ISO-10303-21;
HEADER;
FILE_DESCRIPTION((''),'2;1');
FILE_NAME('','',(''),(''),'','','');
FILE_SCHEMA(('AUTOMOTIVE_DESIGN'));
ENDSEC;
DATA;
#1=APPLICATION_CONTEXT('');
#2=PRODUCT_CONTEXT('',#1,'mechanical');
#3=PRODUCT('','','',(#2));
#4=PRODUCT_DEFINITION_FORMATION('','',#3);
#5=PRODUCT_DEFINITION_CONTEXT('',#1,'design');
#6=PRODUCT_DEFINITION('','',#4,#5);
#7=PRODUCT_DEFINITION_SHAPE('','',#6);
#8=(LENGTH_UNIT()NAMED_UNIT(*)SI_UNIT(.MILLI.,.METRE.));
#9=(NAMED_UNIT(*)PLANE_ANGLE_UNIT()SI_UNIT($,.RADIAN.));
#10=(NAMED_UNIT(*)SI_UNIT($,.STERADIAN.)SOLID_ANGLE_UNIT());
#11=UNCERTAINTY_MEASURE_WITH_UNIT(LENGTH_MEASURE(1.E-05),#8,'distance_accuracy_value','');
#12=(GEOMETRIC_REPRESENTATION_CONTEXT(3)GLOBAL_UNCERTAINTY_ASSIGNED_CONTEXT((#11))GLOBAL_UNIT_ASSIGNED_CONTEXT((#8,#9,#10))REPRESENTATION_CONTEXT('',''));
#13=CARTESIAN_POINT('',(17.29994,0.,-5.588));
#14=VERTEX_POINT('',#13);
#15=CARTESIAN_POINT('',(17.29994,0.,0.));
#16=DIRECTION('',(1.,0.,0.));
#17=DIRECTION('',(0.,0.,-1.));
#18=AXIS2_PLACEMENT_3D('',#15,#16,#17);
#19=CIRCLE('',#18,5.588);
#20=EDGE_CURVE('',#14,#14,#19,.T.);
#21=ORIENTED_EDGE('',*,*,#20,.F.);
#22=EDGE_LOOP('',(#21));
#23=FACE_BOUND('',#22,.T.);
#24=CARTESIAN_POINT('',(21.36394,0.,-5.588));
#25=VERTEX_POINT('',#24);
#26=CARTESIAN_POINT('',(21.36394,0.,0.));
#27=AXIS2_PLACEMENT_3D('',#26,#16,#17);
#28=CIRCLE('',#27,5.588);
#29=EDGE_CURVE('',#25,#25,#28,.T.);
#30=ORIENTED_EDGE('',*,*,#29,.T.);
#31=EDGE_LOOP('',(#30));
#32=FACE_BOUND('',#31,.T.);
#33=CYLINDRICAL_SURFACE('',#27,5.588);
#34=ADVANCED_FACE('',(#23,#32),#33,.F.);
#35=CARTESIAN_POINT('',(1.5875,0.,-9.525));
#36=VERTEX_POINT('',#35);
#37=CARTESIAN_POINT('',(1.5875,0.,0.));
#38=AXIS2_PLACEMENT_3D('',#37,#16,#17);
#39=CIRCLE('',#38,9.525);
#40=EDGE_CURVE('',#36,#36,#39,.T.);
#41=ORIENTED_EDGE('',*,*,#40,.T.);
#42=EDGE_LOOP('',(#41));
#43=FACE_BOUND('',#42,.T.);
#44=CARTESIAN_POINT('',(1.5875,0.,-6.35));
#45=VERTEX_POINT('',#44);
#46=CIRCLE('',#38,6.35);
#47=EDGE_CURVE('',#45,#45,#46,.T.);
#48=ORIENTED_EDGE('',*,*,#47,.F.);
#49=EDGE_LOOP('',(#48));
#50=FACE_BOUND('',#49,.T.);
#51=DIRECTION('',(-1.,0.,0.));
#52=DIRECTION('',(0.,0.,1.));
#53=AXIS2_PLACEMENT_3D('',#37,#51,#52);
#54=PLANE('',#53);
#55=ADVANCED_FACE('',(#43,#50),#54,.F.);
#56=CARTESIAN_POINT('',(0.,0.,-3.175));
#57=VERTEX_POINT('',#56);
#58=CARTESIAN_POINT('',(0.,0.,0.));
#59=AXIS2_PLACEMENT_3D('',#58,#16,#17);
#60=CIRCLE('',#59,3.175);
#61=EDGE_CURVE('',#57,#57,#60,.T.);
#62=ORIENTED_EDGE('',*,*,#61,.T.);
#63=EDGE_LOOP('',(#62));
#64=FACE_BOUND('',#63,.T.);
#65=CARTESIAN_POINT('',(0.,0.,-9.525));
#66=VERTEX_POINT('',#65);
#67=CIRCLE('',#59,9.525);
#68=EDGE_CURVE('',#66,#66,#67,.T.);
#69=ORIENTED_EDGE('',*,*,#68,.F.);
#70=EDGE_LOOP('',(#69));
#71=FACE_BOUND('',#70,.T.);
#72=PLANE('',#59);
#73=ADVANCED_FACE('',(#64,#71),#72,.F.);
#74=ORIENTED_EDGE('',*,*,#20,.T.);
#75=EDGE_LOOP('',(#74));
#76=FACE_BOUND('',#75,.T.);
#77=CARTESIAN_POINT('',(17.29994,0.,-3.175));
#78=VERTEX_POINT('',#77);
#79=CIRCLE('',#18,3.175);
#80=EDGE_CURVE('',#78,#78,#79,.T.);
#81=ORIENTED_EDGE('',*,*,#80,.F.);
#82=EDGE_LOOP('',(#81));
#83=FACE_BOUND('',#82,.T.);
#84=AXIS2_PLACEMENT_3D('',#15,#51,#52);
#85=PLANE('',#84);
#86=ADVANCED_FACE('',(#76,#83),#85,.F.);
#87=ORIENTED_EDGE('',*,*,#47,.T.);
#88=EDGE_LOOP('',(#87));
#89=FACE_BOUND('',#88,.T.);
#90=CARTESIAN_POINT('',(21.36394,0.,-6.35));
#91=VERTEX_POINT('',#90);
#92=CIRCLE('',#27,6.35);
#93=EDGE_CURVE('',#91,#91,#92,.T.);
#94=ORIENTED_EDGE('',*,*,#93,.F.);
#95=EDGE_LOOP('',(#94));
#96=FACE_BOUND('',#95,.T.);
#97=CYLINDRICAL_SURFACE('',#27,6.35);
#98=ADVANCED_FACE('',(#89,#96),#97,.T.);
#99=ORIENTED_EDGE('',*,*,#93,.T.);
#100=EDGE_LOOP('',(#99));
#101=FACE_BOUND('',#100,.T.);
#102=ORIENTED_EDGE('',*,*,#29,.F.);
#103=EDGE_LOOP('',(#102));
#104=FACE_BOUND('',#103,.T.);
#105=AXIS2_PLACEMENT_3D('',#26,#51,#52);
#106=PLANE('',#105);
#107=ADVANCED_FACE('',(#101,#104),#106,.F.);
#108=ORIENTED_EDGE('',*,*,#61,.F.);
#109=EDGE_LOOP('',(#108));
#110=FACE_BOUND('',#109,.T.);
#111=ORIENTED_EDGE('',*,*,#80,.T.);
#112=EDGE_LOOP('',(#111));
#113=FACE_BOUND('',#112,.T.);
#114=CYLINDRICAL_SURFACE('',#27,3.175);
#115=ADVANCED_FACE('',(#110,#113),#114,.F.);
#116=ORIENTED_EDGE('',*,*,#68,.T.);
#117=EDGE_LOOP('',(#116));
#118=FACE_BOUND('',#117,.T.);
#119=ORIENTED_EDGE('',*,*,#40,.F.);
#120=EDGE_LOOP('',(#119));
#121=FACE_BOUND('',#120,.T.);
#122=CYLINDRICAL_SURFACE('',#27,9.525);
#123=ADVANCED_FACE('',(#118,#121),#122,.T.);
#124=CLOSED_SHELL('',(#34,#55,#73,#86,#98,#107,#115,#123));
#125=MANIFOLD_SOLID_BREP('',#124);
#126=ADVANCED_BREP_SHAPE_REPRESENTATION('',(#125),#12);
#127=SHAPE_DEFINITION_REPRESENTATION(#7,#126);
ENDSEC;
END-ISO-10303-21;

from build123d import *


with BuildPart() as part:
    # Sketch1 → Revolve1 (revolve)
    with BuildSketch(Plane.XY, mode=Mode.PRIVATE) as revolve1_sk:
        Polygon((0, 9.525), (0, 3.175), (17.29994, 3.175), (17.29994, 5.588), (21.36394, 5.588), (21.36394, 6.35), (1.5875, 6.35), (1.5875, 9.525), align=None)
    revolve(revolve1_sk.sketch.rotate(Axis((21.36394, 0, 0), (-1, 0, 0)), 90), axis=Axis((21.36394, 0, 0), (-1, 0, 0)))


solid = part.part
